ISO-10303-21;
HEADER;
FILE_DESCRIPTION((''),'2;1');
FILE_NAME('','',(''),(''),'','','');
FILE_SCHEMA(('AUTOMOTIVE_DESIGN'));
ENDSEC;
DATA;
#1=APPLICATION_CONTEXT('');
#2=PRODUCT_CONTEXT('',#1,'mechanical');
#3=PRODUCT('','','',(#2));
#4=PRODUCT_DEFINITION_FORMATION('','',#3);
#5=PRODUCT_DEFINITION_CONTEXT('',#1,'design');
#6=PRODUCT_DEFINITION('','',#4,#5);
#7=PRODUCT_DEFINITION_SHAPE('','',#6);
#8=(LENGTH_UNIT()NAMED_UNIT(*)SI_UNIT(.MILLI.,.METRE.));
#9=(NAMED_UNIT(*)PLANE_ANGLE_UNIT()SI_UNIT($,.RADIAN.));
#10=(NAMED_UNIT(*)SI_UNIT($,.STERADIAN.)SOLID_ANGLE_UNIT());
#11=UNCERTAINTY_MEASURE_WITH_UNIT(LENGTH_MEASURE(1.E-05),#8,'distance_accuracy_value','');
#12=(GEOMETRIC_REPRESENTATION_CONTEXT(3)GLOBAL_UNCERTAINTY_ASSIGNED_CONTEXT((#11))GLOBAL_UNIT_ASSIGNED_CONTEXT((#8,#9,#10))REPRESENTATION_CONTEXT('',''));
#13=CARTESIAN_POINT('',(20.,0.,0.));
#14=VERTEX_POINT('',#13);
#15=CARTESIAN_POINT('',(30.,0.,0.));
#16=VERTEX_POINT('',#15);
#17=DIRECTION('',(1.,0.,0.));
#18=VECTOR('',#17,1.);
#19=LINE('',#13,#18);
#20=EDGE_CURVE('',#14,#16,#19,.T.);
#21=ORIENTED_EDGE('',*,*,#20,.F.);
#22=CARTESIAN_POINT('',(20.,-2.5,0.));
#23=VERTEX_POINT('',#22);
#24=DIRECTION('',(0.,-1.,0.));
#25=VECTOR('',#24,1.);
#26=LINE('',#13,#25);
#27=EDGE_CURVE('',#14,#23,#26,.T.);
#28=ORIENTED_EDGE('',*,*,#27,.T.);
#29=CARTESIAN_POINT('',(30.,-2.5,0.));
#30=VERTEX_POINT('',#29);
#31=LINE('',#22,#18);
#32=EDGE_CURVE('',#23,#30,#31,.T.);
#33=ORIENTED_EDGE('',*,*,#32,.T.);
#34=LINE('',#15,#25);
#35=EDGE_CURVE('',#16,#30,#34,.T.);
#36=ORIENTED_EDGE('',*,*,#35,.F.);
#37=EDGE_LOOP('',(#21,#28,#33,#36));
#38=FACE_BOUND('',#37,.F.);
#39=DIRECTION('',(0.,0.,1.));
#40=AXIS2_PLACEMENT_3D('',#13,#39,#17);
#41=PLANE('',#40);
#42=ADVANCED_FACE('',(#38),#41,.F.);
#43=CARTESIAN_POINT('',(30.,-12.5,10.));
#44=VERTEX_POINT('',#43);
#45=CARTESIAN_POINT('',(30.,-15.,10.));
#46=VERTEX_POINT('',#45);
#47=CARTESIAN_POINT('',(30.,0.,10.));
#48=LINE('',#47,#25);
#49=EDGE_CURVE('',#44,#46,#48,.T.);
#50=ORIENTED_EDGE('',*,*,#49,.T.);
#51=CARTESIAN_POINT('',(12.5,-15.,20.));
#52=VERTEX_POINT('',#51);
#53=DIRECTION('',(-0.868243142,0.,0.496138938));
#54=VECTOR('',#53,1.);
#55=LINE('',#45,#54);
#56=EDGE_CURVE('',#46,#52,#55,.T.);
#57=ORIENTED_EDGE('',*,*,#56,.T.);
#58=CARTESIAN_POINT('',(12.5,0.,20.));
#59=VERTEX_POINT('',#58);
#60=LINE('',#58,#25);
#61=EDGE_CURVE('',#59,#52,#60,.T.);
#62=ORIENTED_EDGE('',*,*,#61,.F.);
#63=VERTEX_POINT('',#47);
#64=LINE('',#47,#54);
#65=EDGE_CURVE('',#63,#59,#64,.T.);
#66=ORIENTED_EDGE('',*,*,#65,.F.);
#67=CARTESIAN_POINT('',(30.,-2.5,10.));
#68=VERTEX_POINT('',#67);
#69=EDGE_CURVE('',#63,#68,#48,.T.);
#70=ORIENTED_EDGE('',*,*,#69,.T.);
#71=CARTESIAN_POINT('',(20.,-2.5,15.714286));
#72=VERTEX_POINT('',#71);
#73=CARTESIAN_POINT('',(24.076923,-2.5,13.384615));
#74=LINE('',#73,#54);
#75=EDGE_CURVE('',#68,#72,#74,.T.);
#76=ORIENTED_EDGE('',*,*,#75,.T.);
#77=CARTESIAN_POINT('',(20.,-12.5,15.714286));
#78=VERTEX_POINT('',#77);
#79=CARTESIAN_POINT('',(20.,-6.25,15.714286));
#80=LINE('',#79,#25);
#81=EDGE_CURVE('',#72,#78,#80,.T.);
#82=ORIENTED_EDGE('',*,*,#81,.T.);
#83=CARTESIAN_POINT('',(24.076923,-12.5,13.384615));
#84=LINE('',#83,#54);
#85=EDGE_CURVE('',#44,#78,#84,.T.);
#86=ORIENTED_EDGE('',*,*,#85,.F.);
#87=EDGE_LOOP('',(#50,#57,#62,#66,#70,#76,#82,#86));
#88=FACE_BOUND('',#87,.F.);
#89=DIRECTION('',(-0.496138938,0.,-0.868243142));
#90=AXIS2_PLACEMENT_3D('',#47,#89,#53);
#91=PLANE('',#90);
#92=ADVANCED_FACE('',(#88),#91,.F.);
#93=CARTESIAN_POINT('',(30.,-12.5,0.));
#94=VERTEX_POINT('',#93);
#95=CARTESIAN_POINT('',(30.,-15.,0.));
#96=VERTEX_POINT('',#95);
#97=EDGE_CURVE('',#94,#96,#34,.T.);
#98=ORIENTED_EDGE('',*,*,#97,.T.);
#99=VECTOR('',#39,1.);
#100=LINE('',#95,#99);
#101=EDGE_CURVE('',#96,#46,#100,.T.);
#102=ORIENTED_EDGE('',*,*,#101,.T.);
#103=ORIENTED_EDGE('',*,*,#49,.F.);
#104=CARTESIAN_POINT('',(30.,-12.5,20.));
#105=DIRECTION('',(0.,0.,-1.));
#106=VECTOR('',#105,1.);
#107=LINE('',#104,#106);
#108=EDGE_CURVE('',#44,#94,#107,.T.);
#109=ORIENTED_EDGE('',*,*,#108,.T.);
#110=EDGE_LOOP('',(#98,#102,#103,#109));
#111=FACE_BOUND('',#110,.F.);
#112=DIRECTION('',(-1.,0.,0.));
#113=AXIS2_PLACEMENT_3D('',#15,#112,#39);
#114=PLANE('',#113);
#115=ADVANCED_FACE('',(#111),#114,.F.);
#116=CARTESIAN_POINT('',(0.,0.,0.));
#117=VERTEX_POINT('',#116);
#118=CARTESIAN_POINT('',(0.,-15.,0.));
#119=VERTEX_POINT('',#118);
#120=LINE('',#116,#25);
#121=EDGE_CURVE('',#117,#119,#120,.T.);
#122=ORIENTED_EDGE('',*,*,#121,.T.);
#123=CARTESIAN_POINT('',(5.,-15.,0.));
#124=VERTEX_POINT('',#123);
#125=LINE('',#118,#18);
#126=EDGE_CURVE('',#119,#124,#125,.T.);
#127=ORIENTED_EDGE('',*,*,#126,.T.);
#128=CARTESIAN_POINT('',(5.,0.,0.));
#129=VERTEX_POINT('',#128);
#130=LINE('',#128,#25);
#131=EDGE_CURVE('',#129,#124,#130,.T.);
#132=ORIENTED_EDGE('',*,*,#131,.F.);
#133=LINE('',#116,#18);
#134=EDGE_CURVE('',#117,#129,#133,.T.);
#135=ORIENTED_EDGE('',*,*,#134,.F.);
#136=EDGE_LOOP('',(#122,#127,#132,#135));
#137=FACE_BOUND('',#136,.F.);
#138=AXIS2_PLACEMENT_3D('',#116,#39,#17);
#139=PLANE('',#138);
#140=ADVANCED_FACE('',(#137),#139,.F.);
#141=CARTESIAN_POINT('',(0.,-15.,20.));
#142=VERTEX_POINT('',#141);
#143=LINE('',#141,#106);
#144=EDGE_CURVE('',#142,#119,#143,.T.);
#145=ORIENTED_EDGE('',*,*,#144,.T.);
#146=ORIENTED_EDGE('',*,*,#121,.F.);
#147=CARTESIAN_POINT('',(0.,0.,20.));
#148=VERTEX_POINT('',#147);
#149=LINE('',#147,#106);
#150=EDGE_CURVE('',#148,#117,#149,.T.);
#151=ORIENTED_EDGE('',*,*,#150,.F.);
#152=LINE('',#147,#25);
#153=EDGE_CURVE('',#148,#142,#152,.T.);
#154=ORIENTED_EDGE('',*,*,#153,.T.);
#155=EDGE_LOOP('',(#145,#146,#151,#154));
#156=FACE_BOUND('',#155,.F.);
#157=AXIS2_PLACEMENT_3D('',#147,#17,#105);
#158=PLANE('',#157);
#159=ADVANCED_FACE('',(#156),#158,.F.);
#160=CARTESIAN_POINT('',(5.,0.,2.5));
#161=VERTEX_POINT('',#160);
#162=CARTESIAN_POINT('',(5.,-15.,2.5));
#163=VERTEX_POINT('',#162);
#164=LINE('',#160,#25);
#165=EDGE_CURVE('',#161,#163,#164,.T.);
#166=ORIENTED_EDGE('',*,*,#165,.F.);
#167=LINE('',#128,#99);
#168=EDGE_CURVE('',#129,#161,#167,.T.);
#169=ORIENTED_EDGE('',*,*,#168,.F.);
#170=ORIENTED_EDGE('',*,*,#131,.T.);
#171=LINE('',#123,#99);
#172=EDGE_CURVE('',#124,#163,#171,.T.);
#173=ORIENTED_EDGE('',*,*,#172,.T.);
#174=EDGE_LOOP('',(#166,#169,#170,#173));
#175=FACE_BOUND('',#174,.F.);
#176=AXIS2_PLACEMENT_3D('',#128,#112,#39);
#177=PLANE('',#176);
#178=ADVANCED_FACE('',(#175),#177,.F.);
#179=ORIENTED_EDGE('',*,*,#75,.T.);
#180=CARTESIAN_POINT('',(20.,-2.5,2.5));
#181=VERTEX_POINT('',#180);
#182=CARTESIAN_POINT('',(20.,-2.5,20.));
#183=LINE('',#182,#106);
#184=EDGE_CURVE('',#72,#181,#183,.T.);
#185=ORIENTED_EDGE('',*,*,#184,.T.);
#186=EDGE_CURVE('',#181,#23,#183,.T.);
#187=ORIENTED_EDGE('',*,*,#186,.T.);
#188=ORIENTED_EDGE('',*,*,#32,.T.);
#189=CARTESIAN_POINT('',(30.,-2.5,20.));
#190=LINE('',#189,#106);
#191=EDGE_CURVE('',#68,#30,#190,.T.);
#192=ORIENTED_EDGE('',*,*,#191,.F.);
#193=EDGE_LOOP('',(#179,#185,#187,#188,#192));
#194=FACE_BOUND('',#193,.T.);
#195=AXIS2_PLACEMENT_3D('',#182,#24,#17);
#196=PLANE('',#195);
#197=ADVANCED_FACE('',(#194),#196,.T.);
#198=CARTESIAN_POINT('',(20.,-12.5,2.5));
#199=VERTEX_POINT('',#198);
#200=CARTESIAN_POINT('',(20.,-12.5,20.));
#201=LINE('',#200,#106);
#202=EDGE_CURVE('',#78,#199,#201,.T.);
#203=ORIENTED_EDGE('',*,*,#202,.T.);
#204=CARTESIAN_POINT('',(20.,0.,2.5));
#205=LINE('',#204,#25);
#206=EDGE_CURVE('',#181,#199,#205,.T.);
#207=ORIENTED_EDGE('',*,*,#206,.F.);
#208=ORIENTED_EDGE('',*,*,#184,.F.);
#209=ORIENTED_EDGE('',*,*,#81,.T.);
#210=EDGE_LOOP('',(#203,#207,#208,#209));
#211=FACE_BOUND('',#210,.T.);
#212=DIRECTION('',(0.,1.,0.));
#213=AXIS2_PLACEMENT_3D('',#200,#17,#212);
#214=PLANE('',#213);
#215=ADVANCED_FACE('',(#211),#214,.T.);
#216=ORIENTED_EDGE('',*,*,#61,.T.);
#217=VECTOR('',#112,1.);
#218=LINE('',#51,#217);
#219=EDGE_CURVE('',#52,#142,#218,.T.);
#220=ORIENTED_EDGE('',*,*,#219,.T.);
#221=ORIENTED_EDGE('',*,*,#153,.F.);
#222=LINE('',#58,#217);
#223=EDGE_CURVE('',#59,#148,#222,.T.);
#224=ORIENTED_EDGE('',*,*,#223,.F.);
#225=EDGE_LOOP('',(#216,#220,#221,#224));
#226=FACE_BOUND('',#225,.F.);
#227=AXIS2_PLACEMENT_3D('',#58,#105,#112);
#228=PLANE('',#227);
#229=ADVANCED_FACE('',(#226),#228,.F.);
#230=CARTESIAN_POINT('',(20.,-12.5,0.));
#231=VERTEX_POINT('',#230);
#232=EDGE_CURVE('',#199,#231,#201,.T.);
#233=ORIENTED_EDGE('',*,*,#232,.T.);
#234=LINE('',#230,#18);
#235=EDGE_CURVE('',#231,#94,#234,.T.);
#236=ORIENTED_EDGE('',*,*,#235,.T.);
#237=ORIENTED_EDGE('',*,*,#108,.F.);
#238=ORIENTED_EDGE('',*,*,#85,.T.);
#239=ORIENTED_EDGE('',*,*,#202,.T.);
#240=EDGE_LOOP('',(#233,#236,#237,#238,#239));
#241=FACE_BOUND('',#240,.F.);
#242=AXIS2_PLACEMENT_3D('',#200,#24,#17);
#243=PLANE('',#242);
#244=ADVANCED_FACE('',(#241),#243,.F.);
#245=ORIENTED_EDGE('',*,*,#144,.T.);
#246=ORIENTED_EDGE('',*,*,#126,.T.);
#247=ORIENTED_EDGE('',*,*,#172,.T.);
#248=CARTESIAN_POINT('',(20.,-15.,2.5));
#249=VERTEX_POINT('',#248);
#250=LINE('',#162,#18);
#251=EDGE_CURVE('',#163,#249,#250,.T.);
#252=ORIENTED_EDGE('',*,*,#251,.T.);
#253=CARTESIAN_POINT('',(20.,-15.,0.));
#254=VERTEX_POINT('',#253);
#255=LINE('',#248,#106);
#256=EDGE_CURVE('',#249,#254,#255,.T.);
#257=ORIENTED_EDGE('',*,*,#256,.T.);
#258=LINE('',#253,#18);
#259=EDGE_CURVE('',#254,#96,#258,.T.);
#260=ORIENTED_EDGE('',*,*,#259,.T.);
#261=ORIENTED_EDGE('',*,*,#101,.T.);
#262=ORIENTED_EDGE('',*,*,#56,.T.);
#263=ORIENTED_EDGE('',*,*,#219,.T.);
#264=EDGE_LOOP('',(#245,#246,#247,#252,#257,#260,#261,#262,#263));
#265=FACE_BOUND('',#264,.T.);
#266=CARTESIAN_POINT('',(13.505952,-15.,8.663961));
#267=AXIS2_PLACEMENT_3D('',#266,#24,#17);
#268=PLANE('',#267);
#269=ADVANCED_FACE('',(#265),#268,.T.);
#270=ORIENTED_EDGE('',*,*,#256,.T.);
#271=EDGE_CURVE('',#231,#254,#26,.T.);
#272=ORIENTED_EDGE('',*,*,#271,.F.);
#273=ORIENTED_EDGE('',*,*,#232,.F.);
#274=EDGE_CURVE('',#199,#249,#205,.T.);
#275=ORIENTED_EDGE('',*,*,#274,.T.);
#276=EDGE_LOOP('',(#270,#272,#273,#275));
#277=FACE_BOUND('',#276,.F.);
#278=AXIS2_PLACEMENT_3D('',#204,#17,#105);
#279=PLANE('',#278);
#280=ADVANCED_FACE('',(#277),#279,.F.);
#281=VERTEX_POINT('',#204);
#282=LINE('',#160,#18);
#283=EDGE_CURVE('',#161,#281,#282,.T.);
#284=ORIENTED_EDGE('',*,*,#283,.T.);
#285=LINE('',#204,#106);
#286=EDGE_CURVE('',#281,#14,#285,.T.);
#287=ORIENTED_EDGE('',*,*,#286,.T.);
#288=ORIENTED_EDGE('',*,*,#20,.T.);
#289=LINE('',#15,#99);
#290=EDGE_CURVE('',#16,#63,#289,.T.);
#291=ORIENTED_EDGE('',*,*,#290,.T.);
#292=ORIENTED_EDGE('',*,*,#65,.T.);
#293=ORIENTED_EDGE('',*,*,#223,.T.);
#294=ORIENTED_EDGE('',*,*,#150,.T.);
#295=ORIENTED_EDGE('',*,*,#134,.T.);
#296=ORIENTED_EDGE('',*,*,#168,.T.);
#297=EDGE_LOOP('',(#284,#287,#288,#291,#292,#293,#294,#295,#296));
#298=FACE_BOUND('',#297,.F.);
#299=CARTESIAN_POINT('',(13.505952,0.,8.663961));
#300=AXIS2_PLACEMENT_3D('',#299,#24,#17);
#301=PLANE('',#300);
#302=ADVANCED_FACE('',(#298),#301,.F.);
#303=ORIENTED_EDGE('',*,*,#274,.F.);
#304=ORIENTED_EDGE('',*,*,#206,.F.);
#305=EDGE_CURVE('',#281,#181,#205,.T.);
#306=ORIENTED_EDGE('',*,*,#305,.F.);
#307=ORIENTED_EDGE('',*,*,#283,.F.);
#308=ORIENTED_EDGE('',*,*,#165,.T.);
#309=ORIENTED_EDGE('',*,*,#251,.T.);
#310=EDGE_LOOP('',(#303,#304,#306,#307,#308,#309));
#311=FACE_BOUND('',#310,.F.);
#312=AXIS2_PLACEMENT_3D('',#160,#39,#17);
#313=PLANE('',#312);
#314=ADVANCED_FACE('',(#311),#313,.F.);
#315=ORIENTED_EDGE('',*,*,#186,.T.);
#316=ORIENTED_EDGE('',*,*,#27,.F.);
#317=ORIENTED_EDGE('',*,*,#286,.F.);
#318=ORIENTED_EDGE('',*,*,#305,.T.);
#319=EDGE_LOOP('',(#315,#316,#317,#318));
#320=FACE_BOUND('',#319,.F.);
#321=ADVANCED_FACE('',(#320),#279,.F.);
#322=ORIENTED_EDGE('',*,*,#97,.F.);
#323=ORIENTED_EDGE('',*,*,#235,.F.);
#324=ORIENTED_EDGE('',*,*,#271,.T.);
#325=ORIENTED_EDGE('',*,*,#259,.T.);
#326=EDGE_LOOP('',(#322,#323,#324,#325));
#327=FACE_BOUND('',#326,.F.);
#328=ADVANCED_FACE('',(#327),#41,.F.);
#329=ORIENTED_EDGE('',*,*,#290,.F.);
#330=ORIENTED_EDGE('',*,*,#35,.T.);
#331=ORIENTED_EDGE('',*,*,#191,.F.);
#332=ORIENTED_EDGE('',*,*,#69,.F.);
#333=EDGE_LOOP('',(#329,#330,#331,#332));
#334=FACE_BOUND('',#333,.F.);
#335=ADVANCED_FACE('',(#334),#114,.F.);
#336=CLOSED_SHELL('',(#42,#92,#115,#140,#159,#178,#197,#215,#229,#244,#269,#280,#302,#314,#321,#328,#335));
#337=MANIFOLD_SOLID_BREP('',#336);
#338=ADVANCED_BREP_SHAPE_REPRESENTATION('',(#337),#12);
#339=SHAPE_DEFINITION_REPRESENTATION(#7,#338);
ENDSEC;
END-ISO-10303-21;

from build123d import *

# Parameters (mm, degrees)
F1_DEPTH = 15
F2_W     = 10
F2_H     = 10
F3_DEPTH = 20.001


with BuildPart() as f1:
    # F0 (on Front) → F1 (new body)
    with BuildSketch(Plane.XZ):
        Polygon((0, 20), (0, 0), (5, 0), (5, 2.5), (20, 2.5), (20, 0), (30, 0), (30, 10), (12.5, 20), align=None)
    extrude(amount=F1_DEPTH)

    # F2 (on face) → F3 (cut, through all)
    with BuildSketch(Plane.XY.offset(20)):
        with Locations((25, -7.5)):
            Rectangle(F2_W, F2_H)
    extrude(amount=-F3_DEPTH, mode=Mode.SUBTRACT)


solid = f1.part
